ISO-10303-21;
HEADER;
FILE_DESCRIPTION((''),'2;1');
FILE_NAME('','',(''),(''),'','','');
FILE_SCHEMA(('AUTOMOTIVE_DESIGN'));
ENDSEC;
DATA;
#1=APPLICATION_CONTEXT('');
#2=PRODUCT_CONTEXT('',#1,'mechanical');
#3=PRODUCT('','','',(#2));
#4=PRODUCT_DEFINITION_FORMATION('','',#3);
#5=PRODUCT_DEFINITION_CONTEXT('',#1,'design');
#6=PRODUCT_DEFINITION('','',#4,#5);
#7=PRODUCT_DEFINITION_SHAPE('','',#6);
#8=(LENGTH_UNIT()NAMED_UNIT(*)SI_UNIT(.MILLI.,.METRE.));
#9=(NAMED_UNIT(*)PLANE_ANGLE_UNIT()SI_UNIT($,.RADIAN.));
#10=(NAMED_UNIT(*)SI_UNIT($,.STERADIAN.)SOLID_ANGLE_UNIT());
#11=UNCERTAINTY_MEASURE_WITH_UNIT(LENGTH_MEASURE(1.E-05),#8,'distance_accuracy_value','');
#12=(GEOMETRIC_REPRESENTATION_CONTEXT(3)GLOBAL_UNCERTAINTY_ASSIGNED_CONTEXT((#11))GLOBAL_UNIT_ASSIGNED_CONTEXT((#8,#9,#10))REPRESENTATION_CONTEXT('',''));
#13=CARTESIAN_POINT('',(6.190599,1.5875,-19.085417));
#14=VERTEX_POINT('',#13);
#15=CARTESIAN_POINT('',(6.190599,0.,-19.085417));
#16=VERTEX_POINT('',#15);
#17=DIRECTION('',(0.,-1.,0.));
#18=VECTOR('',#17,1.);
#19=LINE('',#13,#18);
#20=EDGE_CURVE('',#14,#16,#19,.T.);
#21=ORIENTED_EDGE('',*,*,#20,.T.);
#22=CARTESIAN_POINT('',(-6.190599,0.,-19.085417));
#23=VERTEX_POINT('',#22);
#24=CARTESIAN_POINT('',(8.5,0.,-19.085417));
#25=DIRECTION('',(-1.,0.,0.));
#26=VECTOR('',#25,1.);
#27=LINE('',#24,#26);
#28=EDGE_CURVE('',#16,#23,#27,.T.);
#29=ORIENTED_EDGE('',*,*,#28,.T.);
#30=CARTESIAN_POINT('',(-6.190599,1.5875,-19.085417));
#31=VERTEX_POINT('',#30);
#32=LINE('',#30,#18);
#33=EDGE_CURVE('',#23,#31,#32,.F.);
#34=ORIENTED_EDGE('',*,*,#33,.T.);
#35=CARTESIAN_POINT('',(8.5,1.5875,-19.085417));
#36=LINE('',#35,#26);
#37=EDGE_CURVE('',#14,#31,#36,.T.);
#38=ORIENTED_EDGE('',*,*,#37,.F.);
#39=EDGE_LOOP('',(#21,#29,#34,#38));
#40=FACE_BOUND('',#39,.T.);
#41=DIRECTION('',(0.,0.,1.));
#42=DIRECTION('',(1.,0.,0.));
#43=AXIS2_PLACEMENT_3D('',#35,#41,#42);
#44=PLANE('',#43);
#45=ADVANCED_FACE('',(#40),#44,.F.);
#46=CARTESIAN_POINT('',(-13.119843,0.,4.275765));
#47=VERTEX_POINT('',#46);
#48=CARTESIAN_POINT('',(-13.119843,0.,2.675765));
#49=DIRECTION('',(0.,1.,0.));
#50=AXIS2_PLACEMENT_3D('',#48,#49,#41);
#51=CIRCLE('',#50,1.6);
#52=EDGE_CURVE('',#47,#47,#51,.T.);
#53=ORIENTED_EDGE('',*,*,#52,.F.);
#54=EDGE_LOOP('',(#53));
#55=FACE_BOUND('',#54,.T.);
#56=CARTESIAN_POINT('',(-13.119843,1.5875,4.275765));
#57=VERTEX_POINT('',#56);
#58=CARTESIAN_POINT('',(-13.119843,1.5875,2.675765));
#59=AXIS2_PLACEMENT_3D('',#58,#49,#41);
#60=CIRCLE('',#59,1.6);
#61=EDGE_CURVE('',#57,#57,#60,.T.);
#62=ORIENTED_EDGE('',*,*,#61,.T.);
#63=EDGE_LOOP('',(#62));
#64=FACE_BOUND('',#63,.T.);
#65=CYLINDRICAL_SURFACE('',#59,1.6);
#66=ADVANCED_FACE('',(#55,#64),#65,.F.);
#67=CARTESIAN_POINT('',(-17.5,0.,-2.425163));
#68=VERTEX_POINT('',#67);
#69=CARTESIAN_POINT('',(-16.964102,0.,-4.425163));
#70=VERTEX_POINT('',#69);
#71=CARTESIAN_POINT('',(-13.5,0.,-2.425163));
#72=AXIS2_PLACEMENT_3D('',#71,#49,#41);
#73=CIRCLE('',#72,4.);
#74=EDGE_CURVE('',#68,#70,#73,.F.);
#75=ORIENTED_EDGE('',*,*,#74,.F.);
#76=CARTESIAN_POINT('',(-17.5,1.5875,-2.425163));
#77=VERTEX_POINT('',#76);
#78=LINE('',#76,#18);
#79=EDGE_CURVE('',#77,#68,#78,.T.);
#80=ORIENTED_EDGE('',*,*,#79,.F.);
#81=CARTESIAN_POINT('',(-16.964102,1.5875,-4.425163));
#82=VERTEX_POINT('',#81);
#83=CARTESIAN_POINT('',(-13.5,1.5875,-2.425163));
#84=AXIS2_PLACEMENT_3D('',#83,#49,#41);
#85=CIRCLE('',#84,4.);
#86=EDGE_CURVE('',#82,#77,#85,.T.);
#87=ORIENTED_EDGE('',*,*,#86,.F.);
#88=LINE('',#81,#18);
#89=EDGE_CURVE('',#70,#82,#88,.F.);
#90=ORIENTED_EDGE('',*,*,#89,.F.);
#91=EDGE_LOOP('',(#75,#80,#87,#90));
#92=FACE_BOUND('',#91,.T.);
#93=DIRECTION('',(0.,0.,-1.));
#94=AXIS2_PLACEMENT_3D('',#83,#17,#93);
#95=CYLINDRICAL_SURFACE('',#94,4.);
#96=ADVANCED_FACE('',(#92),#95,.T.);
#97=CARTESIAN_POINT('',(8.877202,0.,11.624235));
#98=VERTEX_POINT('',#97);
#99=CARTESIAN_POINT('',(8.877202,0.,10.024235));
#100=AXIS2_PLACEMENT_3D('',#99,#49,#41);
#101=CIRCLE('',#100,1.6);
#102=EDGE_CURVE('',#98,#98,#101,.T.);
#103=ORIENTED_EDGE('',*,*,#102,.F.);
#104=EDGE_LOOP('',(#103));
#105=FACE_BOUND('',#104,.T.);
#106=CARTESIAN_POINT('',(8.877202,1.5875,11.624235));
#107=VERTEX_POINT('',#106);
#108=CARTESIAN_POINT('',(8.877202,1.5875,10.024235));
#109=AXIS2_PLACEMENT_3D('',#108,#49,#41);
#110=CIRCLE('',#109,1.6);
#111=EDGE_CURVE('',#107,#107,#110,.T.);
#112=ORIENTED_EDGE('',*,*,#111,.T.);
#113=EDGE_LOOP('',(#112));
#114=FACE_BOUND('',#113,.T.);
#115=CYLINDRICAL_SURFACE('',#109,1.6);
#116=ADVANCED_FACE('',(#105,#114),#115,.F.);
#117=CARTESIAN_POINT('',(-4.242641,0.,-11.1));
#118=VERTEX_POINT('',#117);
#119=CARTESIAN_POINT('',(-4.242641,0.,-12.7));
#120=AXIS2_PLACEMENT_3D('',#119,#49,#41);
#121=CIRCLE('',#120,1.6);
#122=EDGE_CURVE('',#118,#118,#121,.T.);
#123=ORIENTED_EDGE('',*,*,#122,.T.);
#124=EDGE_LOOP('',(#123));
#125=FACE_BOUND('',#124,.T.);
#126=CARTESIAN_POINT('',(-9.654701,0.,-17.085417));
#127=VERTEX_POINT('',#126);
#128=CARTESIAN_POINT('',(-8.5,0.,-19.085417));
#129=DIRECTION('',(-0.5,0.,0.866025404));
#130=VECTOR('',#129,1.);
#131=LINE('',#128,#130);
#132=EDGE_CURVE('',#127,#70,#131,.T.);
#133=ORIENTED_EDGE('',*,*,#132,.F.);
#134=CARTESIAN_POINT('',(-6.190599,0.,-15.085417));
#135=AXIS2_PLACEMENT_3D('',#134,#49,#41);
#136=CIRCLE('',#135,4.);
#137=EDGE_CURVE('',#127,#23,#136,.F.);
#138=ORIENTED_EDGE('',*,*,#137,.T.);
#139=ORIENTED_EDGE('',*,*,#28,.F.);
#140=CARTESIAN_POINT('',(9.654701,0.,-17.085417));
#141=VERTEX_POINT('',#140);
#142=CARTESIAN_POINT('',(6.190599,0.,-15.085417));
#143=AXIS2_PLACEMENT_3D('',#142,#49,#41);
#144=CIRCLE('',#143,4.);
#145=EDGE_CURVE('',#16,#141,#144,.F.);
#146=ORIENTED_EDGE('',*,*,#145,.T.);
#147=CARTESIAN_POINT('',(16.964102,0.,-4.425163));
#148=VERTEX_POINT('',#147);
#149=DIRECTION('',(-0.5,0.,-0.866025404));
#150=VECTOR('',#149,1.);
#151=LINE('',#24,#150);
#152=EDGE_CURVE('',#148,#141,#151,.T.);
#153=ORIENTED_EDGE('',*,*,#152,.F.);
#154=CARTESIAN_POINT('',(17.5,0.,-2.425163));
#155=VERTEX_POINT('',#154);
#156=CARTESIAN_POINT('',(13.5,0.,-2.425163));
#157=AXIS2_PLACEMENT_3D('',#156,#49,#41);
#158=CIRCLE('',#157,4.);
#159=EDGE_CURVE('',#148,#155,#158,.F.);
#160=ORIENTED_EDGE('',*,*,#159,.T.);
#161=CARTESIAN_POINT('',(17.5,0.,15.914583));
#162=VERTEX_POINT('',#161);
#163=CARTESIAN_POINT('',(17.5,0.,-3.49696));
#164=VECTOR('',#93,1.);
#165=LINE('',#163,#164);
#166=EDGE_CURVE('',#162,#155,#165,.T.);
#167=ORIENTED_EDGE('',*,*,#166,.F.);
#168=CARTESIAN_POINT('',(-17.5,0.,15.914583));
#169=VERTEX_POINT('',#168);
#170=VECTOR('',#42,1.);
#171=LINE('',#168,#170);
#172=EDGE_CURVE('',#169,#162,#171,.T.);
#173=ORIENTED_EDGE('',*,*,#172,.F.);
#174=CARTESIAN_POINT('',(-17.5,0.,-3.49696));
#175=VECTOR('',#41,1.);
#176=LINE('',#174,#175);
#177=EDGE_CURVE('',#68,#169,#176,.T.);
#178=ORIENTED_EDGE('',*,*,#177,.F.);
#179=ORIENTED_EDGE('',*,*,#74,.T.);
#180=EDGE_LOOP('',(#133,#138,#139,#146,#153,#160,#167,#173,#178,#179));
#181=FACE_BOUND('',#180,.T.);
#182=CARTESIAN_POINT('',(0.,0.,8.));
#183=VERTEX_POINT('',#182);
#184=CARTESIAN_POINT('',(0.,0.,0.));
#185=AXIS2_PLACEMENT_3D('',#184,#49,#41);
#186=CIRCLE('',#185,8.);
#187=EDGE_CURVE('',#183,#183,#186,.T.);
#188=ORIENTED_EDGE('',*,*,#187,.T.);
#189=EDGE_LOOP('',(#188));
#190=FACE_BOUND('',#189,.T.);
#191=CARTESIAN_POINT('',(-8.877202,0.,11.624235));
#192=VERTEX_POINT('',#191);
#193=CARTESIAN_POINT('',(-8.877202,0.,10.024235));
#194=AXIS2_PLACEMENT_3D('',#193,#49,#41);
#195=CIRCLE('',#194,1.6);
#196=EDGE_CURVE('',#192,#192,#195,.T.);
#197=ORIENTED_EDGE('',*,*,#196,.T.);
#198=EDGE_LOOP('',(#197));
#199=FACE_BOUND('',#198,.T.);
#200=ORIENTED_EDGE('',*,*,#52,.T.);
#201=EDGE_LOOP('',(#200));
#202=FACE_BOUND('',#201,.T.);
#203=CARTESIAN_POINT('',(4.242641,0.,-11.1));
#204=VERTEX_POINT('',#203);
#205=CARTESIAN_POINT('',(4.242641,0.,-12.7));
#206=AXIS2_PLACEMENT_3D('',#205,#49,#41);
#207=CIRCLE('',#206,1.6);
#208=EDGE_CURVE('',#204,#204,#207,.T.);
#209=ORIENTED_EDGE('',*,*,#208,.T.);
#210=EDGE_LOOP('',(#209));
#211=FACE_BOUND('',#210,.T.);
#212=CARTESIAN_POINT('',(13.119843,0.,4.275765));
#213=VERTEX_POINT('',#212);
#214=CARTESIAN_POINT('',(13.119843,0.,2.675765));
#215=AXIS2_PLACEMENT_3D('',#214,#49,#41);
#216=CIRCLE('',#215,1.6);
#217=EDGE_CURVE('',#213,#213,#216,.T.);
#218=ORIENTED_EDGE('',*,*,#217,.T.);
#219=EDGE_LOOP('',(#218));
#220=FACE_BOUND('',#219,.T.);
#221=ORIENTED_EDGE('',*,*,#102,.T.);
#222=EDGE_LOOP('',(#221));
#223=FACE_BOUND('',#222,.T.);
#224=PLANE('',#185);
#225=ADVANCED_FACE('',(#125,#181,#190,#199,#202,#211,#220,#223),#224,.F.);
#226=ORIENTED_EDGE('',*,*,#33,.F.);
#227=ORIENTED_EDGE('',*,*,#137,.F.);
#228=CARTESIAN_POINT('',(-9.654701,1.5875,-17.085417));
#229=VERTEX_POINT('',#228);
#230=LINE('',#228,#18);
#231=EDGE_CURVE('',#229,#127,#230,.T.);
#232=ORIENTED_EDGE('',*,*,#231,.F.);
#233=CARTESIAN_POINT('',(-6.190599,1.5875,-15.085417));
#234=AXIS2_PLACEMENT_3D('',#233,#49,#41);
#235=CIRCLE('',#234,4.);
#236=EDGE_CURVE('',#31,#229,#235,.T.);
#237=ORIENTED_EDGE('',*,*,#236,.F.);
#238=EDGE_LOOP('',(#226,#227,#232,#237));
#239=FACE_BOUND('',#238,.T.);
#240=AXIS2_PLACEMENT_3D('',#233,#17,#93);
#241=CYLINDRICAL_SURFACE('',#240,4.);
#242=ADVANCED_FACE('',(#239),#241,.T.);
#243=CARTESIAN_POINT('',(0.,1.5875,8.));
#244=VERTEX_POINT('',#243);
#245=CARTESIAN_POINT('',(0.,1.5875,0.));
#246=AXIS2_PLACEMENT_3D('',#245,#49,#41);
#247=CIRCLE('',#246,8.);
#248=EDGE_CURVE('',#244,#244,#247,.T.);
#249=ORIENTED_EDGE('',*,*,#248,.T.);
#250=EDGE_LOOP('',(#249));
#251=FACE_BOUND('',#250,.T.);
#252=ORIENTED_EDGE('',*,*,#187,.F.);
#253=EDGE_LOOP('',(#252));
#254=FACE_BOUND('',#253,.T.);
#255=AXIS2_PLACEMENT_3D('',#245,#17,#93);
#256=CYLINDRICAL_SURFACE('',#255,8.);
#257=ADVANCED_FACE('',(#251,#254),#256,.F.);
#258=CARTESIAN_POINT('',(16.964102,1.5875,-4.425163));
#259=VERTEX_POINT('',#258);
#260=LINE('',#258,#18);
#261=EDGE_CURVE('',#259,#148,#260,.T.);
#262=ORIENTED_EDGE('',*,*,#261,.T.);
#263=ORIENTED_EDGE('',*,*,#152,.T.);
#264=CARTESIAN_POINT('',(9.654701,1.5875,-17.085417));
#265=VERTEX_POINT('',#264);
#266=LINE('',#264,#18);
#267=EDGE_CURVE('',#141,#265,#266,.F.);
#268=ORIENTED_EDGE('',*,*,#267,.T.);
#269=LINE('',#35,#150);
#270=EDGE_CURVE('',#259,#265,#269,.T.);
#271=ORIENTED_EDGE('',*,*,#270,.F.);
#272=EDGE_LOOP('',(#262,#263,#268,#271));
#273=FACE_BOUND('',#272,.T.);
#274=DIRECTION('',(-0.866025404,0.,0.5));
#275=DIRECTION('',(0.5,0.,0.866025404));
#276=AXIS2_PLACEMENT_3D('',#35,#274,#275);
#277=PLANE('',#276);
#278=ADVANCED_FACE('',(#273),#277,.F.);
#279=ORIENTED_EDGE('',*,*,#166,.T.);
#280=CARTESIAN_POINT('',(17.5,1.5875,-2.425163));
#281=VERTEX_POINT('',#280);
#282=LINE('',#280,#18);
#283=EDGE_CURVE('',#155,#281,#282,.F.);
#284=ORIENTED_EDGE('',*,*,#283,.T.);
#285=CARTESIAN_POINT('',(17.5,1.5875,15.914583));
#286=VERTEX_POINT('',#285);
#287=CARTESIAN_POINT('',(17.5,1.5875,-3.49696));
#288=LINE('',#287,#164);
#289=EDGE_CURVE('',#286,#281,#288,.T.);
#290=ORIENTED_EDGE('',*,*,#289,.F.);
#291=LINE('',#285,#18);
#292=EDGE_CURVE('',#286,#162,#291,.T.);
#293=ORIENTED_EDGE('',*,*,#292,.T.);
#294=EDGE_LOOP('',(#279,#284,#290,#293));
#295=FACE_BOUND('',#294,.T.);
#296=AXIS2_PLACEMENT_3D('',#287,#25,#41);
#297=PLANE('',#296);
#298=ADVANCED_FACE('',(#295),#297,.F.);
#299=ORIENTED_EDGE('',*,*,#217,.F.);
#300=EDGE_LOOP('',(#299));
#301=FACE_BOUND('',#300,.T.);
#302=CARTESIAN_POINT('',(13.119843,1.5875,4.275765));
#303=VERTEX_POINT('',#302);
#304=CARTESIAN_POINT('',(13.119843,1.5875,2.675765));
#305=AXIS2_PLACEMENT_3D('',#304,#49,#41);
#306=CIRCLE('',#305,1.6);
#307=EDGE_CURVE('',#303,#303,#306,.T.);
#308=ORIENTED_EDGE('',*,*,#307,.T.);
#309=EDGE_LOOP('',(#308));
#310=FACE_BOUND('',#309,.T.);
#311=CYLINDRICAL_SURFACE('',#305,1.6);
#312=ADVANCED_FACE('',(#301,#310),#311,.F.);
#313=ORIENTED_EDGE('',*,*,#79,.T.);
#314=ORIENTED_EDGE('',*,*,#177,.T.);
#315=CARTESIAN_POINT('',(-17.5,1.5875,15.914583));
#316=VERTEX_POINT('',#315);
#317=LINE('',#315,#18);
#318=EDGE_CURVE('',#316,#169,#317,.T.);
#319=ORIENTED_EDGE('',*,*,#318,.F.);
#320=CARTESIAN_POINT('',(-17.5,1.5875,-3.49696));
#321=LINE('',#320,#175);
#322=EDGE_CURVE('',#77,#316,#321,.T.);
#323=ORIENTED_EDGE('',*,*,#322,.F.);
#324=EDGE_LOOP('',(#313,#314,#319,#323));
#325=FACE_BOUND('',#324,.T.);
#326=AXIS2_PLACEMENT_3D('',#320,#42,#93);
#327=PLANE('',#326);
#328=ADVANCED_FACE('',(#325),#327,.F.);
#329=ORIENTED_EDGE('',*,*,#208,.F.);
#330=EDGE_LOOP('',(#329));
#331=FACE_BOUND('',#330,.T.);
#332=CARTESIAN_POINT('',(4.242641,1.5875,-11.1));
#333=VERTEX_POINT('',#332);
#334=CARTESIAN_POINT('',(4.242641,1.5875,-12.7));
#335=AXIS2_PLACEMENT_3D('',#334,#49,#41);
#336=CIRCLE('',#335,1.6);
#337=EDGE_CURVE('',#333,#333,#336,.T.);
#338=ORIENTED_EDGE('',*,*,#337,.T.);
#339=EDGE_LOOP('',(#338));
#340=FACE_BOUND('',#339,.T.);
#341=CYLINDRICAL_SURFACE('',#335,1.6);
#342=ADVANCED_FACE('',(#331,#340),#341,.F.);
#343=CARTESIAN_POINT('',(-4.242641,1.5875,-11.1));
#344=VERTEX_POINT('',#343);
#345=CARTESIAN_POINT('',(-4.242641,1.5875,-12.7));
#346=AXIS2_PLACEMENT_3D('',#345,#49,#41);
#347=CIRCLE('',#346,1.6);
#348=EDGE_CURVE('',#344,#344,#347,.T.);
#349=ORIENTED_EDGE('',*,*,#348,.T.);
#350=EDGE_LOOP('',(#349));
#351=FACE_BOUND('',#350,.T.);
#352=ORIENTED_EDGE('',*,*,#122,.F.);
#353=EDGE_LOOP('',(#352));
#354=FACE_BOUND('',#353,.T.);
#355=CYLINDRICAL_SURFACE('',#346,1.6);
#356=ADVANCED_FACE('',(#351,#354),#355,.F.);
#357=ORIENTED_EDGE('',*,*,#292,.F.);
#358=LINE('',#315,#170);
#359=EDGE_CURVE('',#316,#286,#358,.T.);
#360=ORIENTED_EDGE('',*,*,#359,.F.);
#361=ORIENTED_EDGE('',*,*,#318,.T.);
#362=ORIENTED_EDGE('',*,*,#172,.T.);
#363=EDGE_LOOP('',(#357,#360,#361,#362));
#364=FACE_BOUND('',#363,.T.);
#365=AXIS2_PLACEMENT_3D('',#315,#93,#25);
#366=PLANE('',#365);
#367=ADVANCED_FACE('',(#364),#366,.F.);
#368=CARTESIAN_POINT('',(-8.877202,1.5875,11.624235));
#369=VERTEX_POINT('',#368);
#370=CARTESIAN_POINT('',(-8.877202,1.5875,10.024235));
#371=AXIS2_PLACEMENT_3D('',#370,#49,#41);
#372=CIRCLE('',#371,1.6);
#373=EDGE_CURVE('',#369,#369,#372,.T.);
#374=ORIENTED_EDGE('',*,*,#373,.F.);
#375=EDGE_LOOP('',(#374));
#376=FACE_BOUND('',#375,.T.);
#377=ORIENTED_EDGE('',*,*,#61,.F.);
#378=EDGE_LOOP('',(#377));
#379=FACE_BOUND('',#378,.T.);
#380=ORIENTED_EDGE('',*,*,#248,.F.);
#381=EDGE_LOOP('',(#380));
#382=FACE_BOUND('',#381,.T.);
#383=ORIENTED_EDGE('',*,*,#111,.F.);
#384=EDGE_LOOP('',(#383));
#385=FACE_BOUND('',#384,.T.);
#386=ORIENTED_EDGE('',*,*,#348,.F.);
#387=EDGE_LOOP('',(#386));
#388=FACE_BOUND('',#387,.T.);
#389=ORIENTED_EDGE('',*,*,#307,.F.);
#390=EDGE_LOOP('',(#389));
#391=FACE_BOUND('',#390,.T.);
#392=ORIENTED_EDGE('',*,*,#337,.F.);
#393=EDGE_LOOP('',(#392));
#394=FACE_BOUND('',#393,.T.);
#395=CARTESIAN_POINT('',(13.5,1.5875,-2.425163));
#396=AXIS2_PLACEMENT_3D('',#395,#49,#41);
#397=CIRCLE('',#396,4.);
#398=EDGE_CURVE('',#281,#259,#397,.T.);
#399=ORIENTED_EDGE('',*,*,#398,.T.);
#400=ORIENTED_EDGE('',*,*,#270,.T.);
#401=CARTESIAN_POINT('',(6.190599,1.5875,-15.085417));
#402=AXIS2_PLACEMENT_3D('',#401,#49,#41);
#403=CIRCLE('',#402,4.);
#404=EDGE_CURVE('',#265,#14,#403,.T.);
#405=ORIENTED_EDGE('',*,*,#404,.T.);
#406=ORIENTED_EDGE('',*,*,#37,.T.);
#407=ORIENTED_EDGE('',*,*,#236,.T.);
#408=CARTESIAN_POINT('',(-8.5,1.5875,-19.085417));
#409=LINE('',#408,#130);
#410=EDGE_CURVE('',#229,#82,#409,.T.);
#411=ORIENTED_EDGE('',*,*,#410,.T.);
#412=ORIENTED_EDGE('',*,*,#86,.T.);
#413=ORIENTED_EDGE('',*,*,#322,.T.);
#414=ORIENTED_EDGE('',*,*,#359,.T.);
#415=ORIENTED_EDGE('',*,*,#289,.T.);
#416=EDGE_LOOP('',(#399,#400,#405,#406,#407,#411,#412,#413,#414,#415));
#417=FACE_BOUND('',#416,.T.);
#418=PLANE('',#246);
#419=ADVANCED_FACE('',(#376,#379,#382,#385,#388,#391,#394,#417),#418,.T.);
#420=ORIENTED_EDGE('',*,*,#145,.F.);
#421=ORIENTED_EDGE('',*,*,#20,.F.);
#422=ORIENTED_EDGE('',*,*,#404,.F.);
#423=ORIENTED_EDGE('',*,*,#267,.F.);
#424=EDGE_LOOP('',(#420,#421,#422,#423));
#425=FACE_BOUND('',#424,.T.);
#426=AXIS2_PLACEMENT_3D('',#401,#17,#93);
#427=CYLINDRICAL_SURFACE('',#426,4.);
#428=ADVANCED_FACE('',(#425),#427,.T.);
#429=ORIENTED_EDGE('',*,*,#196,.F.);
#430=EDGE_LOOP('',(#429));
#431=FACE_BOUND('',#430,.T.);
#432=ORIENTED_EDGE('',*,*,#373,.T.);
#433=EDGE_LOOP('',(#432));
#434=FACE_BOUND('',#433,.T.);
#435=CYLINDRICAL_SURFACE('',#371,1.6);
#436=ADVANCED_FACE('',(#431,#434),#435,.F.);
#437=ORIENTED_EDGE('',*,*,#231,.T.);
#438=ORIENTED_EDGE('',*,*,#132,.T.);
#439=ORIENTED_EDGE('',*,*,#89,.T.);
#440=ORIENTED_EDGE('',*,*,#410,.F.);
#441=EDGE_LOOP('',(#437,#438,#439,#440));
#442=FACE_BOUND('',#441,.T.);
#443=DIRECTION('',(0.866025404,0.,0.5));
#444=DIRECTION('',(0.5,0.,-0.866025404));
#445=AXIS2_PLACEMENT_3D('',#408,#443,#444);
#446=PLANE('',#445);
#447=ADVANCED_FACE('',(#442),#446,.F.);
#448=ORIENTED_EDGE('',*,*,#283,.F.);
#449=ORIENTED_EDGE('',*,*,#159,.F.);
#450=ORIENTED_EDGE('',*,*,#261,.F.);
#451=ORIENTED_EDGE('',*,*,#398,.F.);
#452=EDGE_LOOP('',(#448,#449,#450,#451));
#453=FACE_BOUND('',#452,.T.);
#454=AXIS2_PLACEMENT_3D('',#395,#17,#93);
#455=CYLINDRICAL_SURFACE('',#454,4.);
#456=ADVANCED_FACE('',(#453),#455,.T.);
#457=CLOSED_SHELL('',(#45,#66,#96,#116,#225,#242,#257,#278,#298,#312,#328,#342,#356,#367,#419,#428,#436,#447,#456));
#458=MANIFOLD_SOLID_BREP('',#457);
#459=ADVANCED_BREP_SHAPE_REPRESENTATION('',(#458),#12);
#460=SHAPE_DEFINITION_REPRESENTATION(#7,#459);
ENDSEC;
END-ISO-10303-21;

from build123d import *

# Parameters (mm, degrees)
SKETCH10_R           = 8
BOSS_EXTRUDE2_DEPTH  = 1.5875
M3_CLEARANCE_HOLE1_D = 3.2
FILLET2_R            = 4


with BuildPart() as part:
    # Sketch10 → Boss-Extrude2 (new body)
    with BuildSketch(Plane(origin=(0, 0, 0), x_dir=(1, 0, 0), z_dir=(0, 1, 0))):
        Polygon((8.5, 19.085417438), (-8.5, 19.085417438), (-17.5, 3.49696017), (-17.5, -15.914582562), (17.5, -15.914582562), (17.5, 3.49696017), align=None)
        Circle(SKETCH10_R, mode=Mode.SUBTRACT)
    extrude(amount=BOSS_EXTRUDE2_DEPTH)

    # M3 Clearance Hole1 (through all)
    with Locations(Plane(origin=(0, 1.5875, 0), x_dir=(1, 0, 0), z_dir=(0, 1, 0))):
        with Locations((-8.877202285, -10.024234614), (-13.119842972, -2.675765386), (-4.242640687, 12.7), (4.242640687, 12.7), (13.119842972, -2.675765386), (8.877202285, -10.024234614)):
            Hole(M3_CLEARANCE_HOLE1_D / 2)

    # Fillet2
    fillet2_edges = [part.edges().sort_by_distance(p)[0] for p in [
        (-17.5, 0.79375, -3.49696017),
        (-8.5, 0.79375, -19.085417438),
        (17.5, 0.79375, -3.49696017),
        (8.5, 0.79375, -19.085417438),
    ]]
    fillet(fillet2_edges, radius=FILLET2_R)


solid = part.part
